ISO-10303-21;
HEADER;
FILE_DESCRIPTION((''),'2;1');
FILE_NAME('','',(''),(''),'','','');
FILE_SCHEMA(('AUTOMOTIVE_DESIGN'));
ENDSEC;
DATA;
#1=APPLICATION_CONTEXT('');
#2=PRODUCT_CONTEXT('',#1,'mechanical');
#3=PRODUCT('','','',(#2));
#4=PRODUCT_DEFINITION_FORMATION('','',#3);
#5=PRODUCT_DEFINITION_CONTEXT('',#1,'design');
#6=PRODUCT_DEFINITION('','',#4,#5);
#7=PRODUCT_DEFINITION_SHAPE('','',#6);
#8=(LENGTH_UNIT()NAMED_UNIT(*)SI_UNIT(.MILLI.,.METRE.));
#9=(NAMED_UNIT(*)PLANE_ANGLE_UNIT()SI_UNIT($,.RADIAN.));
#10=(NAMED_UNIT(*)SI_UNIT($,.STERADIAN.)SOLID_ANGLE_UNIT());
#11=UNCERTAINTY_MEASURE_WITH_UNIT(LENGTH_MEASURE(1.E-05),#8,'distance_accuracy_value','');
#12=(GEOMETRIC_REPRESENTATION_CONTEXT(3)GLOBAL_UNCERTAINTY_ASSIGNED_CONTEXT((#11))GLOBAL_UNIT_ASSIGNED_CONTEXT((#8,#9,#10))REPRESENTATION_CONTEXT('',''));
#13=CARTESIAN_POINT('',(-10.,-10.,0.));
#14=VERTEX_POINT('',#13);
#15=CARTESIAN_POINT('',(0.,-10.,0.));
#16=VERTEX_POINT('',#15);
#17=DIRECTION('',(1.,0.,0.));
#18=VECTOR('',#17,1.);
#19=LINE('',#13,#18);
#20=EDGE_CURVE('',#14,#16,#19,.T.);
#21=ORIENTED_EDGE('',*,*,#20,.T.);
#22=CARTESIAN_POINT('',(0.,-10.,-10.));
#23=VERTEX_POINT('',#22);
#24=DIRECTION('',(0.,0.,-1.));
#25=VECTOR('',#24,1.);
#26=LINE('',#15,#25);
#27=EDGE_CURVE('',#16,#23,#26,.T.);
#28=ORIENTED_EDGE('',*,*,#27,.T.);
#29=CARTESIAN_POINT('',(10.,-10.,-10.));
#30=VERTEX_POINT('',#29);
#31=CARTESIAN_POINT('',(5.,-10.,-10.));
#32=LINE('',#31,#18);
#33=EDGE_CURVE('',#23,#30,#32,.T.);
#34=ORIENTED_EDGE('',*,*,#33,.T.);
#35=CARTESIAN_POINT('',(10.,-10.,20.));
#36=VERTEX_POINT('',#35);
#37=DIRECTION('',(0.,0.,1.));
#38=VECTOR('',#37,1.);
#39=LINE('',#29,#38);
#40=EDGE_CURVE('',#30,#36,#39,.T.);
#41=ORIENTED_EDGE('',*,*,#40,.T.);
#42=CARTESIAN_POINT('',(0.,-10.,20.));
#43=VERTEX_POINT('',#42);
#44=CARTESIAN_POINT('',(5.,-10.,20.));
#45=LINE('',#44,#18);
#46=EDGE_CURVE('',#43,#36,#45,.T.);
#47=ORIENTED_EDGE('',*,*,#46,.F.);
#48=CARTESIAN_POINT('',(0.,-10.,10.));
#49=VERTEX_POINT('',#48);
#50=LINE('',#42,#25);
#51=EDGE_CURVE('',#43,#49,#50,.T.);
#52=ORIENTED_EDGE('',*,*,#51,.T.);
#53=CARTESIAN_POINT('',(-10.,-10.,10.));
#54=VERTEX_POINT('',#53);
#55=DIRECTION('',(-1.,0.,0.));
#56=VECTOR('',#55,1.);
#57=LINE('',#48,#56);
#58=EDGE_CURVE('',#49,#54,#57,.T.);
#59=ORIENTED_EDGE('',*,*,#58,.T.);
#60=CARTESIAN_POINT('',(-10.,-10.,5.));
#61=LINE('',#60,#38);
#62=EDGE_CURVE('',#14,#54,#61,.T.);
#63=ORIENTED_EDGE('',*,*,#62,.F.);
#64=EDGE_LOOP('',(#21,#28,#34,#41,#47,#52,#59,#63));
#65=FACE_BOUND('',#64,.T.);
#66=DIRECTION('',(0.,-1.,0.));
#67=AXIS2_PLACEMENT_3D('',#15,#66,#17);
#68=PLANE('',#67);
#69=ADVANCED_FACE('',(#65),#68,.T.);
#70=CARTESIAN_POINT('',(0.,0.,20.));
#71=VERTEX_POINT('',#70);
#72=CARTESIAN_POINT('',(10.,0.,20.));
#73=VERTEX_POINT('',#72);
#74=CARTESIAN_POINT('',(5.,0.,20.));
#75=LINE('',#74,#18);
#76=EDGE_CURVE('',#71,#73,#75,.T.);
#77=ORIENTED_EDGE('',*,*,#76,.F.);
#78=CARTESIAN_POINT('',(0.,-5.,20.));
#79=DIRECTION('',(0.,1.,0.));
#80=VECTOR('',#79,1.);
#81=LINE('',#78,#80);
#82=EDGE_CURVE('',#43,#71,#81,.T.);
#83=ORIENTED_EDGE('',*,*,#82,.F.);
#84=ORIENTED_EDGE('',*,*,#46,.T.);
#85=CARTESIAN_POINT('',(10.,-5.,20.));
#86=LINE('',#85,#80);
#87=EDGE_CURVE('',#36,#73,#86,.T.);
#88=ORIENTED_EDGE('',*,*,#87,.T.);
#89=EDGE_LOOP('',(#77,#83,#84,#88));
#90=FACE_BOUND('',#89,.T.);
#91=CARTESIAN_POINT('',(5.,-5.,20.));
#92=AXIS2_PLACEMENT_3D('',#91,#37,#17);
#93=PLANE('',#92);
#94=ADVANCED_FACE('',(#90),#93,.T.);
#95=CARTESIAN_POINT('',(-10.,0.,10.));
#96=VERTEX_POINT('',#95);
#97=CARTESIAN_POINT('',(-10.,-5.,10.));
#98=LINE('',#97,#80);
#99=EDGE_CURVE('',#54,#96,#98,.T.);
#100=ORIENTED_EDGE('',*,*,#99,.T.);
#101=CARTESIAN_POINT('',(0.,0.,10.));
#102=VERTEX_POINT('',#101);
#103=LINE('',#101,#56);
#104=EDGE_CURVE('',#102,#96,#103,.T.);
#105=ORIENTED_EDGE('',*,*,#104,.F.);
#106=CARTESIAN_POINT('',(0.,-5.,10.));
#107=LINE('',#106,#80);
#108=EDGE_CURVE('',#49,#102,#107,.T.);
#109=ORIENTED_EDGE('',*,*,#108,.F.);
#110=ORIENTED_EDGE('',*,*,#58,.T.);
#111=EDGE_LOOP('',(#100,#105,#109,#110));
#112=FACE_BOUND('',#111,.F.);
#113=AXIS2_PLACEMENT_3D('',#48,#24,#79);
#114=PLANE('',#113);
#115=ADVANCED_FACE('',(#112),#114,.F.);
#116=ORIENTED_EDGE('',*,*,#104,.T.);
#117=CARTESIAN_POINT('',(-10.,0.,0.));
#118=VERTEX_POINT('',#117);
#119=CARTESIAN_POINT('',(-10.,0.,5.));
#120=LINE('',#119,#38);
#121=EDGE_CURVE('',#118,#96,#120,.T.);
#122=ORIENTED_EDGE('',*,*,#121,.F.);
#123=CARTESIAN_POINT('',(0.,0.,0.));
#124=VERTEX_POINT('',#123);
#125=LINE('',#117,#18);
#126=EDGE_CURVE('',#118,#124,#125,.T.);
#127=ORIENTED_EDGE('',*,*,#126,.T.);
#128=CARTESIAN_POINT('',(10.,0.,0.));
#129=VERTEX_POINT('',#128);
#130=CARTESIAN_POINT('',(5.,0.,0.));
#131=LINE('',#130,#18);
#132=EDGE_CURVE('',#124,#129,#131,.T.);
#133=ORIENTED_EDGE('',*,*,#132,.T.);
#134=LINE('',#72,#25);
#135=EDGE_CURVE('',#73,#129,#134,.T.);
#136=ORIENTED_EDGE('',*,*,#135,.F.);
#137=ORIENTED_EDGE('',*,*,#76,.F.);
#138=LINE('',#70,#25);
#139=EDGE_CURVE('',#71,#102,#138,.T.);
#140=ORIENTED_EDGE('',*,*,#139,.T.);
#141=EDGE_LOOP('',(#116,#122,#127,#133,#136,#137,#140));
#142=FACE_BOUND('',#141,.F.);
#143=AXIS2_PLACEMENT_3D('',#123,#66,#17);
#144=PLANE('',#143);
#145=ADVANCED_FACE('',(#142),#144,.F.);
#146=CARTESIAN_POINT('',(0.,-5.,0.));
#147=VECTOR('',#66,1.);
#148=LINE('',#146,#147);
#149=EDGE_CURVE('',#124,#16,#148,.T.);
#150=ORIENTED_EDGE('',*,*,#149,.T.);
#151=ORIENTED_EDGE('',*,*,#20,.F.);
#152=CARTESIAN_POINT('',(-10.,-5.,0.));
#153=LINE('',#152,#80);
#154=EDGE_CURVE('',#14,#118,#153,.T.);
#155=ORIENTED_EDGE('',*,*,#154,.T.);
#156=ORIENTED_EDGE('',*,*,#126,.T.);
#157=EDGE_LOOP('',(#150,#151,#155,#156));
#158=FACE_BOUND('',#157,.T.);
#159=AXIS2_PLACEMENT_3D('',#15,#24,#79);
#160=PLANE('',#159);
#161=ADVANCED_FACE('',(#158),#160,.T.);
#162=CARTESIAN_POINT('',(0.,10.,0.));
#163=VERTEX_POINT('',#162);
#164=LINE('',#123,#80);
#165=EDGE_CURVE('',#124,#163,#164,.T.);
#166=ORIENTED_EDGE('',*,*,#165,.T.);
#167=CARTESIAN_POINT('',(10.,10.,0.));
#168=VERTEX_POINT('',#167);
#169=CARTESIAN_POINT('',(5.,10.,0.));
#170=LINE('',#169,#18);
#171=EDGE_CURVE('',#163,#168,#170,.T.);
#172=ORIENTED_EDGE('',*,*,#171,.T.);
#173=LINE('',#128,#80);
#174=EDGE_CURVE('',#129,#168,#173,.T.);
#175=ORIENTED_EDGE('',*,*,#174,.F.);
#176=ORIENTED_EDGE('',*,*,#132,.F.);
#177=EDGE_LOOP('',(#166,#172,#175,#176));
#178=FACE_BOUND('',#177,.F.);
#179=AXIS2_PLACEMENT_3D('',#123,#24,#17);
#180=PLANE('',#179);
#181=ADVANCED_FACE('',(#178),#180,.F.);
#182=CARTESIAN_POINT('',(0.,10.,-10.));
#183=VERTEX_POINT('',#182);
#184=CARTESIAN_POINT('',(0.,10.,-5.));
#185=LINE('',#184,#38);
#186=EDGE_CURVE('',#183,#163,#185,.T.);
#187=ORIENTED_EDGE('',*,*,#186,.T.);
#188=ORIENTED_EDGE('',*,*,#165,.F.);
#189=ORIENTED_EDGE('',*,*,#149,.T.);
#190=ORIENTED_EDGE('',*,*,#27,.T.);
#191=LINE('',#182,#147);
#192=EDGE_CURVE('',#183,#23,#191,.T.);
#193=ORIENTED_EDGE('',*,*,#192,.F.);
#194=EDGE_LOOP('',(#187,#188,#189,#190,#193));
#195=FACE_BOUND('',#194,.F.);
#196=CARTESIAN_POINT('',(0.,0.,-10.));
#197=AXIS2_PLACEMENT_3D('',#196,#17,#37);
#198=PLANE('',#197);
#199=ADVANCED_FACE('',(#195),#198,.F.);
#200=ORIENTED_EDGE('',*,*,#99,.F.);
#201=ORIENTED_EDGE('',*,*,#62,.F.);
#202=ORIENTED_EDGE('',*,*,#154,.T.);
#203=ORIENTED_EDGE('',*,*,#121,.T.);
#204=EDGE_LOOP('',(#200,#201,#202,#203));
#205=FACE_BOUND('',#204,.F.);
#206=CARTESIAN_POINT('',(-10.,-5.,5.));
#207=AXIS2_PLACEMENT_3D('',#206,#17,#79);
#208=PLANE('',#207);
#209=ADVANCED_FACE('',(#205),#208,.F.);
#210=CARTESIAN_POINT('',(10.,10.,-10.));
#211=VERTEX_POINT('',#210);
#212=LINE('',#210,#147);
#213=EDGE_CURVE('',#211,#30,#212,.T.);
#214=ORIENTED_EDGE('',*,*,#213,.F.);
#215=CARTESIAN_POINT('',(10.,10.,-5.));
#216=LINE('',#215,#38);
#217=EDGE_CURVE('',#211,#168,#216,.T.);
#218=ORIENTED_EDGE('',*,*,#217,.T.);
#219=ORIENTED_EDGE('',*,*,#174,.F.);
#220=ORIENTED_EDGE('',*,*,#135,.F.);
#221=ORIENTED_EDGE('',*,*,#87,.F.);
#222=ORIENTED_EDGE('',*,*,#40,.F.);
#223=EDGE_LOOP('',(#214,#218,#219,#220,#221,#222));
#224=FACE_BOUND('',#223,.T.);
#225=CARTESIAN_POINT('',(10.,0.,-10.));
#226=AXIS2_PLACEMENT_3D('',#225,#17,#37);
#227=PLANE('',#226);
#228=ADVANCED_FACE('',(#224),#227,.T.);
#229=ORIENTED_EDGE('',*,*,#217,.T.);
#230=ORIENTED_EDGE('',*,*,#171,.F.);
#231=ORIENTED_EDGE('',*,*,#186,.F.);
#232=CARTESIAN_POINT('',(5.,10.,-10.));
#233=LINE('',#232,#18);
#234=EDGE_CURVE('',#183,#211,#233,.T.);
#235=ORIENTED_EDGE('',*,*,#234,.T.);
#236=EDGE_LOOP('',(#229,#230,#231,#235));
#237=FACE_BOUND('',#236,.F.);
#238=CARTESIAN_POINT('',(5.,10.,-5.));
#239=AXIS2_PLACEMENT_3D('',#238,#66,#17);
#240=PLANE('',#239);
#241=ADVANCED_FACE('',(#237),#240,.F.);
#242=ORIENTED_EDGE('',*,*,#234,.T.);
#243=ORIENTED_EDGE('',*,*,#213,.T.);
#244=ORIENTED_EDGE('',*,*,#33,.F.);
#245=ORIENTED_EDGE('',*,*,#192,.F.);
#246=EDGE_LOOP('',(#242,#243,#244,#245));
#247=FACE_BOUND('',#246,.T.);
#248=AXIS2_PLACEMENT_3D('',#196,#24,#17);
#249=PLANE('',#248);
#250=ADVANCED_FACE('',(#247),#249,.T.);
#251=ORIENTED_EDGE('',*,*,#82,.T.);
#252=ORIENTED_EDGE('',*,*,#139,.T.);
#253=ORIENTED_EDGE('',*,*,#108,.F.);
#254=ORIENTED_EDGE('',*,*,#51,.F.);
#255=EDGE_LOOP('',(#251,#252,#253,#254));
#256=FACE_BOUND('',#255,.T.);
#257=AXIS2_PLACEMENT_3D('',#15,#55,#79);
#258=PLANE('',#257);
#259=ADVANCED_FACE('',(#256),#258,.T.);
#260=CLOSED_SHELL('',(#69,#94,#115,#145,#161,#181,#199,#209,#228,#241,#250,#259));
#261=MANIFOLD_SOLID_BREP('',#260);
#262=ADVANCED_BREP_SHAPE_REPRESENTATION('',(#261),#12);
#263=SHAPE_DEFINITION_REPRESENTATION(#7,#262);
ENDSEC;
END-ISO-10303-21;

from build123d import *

# Parameters (mm, degrees)
F0_W     = 10
F0_H     = 10
F1_DEPTH = 20
F2_W     = 10
F2_H     = 10
F3_DEPTH = 10
F4_W     = 10
F4_H     = 10
F5_DEPTH = 10
F6_W     = 10
F6_H     = 10
F7_DEPTH = 10
F8_W     = 10
F8_H     = 10
F9_DEPTH = 10


with BuildPart() as f1:
    # F0 (on Top) → F1 (new body)
    with BuildSketch(Plane.XY):
        with Locations((5, -5)):
            Rectangle(F0_W, F0_H)
    extrude(amount=F1_DEPTH)

    # F2 (on Right) → F3 (join)
    with BuildSketch(Plane.YZ):
        with Locations((-5, 5)):
            Rectangle(F2_W, F2_H)
    extrude(amount=F3_DEPTH)

    # F4 (on Right) → F5 (join)
    with BuildSketch(Plane.YZ):
        with Locations((-5, 5)):
            Rectangle(F4_W, F4_H)
    extrude(amount=-F5_DEPTH)

    # F6 (on face) → F7 (join)
    with BuildSketch(Plane(origin=(0, 0, 0), x_dir=(1, 0, 0), z_dir=(0, 0, -1))):
        with Locations((5, 5)):
            Rectangle(F6_W, F6_H)
    extrude(amount=F7_DEPTH)

    # F8 (on Front) → F9 (join)
    with BuildSketch(Plane.XZ):
        with Locations((5, -5)):
            Rectangle(F8_W, F8_H)
    extrude(amount=-F9_DEPTH)


solid = f1.part
